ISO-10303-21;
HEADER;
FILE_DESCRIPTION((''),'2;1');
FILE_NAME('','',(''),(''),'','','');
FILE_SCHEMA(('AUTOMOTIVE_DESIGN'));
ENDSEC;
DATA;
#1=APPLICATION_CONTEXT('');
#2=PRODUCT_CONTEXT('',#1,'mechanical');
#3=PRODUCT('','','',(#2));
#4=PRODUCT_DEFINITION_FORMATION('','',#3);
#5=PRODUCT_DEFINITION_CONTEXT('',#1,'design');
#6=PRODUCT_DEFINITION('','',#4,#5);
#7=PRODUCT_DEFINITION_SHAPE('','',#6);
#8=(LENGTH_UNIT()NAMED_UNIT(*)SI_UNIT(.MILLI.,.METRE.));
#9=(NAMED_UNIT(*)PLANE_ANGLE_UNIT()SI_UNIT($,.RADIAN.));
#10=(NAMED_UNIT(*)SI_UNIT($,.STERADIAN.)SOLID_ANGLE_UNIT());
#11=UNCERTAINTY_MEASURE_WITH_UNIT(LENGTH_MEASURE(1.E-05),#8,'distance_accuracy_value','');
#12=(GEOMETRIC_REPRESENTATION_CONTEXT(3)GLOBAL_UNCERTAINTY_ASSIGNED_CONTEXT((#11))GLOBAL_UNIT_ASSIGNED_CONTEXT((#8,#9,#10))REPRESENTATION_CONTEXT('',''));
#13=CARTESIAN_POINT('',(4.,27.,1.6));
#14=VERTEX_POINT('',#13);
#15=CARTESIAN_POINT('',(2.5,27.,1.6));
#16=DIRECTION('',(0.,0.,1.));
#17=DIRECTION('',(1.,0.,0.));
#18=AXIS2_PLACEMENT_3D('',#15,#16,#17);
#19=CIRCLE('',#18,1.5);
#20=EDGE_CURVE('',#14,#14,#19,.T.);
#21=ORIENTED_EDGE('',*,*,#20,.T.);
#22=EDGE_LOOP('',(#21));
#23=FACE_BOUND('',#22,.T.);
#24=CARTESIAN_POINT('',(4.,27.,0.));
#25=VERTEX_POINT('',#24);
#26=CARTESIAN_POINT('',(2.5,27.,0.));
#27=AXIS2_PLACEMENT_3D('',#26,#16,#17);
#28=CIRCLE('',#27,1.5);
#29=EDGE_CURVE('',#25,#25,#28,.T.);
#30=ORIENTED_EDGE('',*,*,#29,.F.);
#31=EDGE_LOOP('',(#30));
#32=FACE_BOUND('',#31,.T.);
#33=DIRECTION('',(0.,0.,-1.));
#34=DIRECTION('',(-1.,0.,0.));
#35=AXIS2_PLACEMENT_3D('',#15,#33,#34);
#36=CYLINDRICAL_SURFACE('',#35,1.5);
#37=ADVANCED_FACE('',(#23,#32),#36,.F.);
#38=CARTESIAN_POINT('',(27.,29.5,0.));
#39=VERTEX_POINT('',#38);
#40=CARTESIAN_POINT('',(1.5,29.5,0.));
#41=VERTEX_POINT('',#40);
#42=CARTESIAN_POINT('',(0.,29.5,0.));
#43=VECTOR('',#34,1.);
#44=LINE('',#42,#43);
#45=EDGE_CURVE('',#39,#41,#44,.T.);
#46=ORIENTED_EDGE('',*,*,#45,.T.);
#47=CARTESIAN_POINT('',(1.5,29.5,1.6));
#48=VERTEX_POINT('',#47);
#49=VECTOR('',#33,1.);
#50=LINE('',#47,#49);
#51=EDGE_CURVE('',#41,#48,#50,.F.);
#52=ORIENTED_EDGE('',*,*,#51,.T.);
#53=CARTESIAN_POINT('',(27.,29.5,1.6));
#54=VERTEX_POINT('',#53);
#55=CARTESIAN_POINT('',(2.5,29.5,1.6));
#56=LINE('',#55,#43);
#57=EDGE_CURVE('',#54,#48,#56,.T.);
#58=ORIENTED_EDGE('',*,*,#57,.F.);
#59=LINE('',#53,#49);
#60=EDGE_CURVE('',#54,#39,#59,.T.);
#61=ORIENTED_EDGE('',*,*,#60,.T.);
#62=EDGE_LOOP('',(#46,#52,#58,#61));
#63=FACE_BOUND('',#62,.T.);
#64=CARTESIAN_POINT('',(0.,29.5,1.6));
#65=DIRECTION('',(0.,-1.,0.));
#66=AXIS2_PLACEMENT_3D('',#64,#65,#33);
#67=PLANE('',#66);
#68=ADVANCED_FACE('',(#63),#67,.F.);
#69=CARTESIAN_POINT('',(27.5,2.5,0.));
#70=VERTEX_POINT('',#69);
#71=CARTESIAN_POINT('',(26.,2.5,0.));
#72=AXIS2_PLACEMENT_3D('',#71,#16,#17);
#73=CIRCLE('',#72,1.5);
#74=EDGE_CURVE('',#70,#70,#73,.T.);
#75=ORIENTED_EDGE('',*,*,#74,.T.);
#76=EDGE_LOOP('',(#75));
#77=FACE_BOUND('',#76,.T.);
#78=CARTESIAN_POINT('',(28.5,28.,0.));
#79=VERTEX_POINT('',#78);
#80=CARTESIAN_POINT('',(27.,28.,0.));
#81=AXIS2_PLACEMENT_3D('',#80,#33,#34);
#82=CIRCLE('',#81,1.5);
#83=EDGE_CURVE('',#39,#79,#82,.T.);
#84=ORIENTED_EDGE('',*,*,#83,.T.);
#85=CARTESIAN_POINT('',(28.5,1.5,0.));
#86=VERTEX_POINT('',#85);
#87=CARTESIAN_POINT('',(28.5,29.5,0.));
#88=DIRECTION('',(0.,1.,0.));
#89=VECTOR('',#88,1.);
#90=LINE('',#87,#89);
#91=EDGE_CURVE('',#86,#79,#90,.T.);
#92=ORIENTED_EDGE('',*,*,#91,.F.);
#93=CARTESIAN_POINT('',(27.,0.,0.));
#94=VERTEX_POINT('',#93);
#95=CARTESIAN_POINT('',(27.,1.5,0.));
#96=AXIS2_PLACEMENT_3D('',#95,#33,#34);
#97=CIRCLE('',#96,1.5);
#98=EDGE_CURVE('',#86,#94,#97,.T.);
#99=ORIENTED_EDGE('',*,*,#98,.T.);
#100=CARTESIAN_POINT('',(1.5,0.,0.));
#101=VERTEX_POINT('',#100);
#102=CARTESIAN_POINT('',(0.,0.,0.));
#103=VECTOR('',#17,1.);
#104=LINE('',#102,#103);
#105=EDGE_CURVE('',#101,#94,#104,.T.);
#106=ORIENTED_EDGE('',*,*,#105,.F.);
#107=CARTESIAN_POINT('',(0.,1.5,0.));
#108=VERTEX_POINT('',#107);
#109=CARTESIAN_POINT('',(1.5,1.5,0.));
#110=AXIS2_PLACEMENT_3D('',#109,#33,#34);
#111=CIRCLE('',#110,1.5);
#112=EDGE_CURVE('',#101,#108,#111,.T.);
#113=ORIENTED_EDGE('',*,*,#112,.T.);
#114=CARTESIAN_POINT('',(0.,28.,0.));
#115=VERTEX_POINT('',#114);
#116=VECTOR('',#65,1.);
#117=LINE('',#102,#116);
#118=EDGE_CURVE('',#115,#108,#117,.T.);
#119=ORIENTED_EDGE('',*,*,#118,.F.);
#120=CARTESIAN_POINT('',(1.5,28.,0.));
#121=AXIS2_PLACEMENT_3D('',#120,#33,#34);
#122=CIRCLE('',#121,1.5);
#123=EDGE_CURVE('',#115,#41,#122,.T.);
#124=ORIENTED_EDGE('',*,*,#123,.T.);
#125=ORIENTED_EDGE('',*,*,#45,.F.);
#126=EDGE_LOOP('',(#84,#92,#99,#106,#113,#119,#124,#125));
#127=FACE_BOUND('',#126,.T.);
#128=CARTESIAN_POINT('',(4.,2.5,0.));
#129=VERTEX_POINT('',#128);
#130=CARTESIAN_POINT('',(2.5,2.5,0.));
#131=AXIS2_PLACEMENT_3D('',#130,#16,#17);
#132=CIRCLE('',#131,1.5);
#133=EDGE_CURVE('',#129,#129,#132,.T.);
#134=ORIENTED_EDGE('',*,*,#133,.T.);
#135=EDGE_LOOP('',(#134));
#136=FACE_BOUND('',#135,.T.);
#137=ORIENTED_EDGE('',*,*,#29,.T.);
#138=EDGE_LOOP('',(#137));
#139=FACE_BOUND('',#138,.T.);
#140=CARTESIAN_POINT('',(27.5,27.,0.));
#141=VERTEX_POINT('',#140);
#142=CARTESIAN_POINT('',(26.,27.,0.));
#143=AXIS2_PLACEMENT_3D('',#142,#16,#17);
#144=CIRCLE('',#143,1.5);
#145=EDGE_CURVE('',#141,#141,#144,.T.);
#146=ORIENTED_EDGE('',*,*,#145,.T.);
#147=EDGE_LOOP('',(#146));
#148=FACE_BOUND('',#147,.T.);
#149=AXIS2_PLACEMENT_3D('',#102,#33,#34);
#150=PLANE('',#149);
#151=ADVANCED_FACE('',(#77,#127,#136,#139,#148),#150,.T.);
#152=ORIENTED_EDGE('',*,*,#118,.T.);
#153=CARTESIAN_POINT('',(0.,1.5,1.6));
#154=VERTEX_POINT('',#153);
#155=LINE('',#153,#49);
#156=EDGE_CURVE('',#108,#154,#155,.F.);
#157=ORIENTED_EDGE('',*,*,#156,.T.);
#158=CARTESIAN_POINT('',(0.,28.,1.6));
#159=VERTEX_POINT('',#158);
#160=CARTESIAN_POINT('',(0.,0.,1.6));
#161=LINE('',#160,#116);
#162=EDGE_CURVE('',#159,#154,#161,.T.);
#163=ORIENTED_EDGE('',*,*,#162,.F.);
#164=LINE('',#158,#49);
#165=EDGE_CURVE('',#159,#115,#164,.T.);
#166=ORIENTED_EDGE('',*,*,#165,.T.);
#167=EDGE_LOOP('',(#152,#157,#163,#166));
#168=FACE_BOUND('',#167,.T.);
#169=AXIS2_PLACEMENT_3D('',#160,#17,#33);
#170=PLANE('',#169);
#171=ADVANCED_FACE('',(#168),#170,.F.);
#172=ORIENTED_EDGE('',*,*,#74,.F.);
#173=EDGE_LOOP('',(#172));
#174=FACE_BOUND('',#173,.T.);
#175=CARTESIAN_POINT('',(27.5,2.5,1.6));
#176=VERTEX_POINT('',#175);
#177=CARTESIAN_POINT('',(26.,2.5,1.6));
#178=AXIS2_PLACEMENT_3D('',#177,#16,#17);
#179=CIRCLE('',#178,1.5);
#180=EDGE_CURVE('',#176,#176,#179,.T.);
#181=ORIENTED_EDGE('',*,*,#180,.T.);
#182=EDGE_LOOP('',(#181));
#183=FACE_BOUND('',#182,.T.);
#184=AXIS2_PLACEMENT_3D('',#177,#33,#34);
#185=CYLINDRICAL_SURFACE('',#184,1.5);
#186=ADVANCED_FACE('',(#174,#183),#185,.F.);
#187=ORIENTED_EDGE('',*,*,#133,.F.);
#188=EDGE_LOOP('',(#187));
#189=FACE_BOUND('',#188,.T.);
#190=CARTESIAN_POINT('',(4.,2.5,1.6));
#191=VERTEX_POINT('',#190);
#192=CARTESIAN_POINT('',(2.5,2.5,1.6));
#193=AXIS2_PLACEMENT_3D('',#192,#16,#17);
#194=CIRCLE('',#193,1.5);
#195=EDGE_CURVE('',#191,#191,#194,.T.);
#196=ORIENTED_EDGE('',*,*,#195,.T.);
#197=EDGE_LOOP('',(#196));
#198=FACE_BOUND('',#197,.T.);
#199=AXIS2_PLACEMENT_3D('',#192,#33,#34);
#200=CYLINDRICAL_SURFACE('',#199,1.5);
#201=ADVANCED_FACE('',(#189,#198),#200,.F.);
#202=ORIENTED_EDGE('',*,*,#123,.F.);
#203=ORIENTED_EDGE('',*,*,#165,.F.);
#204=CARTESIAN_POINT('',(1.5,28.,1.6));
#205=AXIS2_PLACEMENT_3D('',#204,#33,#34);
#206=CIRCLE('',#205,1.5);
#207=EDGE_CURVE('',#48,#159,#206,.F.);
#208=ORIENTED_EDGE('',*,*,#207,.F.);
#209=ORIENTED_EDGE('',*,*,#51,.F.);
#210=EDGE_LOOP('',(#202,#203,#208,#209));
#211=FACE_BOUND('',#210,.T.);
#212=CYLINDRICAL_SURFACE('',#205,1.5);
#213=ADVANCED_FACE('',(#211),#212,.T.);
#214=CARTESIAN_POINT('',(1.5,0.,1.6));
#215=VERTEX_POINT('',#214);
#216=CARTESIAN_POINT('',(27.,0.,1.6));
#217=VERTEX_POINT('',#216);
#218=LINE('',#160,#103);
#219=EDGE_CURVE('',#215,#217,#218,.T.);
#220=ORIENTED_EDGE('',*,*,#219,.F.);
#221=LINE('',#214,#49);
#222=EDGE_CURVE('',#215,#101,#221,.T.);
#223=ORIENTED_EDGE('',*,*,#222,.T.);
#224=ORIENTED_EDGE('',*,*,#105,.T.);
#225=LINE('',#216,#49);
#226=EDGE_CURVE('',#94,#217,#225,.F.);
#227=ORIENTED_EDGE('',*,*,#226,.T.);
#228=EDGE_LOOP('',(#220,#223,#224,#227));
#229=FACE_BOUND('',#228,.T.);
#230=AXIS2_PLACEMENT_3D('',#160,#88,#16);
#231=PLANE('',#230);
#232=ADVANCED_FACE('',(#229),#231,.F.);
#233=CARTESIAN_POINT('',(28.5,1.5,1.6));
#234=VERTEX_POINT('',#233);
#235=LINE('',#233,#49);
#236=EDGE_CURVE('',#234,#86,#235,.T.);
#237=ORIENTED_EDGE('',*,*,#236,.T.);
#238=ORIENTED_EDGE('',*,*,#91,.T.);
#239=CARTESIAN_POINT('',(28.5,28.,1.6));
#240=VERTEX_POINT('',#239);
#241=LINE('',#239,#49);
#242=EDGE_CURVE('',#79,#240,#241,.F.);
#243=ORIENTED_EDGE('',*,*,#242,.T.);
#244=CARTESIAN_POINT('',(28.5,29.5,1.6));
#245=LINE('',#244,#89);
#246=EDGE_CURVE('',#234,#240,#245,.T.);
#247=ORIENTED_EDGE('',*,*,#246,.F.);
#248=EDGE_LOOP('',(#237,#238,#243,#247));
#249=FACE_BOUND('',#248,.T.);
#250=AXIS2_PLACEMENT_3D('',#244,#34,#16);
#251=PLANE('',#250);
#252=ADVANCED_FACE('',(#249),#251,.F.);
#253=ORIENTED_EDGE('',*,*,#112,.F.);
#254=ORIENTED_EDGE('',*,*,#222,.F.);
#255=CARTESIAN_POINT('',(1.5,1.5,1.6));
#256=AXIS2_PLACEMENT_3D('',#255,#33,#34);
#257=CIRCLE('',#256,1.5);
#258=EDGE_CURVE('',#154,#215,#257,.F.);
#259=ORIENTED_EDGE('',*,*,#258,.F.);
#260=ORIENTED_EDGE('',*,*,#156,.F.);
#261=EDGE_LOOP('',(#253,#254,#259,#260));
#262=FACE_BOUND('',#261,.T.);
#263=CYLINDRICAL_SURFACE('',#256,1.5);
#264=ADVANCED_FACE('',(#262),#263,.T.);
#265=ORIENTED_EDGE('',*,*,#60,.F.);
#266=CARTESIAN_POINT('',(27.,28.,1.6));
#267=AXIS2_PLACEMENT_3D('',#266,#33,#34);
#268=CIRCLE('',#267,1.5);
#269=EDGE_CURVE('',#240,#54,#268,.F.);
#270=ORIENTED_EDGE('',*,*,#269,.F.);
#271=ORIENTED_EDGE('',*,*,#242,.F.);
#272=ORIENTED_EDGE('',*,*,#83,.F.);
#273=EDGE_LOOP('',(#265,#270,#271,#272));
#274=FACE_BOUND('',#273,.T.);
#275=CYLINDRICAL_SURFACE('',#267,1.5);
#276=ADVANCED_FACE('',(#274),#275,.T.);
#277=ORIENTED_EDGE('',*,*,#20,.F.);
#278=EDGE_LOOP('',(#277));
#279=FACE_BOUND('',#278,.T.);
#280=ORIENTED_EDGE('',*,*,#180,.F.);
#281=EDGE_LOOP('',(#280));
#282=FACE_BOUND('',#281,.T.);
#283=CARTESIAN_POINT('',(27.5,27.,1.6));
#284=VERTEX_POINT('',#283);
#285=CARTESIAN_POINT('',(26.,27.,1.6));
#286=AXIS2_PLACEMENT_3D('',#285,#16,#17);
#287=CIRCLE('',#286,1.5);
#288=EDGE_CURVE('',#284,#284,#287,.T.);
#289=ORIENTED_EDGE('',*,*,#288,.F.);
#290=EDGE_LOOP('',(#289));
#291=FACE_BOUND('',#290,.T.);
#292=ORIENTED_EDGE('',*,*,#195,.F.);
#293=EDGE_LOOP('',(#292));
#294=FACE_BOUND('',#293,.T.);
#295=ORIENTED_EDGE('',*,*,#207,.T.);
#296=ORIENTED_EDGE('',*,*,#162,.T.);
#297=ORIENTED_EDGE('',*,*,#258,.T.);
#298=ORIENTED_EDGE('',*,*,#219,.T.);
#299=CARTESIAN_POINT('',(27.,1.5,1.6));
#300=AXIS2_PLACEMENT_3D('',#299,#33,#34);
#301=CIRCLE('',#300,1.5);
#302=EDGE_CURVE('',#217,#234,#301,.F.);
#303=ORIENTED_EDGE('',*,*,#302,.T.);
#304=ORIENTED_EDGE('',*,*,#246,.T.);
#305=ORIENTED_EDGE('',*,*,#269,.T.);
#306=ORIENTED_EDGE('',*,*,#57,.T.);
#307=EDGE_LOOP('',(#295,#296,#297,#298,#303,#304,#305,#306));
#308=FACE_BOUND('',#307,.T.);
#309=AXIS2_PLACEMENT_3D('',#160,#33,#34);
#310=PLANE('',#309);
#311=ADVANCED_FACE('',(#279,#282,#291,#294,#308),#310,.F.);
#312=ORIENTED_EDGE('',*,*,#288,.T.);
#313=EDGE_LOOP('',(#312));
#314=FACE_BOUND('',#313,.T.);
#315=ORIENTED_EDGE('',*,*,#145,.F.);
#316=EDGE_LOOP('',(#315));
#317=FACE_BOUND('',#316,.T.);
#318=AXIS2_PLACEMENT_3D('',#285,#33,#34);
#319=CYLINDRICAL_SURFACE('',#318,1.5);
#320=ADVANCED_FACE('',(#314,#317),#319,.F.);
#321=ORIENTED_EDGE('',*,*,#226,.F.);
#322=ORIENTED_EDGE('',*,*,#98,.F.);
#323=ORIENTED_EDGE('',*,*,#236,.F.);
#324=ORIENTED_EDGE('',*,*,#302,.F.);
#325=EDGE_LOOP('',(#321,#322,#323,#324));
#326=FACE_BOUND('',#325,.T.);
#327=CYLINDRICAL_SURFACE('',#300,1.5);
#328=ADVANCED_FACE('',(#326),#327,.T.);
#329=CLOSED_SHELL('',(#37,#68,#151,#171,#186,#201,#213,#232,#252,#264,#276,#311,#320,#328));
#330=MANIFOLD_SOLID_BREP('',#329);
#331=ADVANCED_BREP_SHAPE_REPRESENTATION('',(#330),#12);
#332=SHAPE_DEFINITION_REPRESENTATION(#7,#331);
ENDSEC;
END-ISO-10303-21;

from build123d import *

# Parameters (mm, degrees)
SKETCH_1_R      = 1.5
EXTRUDE_1_DEPTH = 1.6
FILLET_1_R      = 1.5


with BuildPart() as part:
    # 草图1 → 凸台-拉伸1 (new body)
    with BuildSketch(Plane.XY):
        Polygon((0, 0), (28.5, 0), (28.5, 29.5), (2.5, 29.5), (0, 29.5), align=None)
        with Locations((2.5, 27)):
            Circle(SKETCH_1_R, mode=Mode.SUBTRACT)
        with Locations((26, 27)):
            Circle(SKETCH_1_R, mode=Mode.SUBTRACT)
        with Locations((26, 2.5)):
            Circle(SKETCH_1_R, mode=Mode.SUBTRACT)
        with Locations((2.5, 2.5)):
            Circle(SKETCH_1_R, mode=Mode.SUBTRACT)
    extrude(amount=EXTRUDE_1_DEPTH)

    # 圆角1
    fillet_1_edges = [part.edges().sort_by_distance(p)[0] for p in [
        (0, 29.5, 0.8),
        (28.5, 29.5, 0.8),
        (28.5, 0, 0.8),
        (0, 0, 0.8),
    ]]
    fillet(fillet_1_edges, radius=FILLET_1_R)


solid = part.part
